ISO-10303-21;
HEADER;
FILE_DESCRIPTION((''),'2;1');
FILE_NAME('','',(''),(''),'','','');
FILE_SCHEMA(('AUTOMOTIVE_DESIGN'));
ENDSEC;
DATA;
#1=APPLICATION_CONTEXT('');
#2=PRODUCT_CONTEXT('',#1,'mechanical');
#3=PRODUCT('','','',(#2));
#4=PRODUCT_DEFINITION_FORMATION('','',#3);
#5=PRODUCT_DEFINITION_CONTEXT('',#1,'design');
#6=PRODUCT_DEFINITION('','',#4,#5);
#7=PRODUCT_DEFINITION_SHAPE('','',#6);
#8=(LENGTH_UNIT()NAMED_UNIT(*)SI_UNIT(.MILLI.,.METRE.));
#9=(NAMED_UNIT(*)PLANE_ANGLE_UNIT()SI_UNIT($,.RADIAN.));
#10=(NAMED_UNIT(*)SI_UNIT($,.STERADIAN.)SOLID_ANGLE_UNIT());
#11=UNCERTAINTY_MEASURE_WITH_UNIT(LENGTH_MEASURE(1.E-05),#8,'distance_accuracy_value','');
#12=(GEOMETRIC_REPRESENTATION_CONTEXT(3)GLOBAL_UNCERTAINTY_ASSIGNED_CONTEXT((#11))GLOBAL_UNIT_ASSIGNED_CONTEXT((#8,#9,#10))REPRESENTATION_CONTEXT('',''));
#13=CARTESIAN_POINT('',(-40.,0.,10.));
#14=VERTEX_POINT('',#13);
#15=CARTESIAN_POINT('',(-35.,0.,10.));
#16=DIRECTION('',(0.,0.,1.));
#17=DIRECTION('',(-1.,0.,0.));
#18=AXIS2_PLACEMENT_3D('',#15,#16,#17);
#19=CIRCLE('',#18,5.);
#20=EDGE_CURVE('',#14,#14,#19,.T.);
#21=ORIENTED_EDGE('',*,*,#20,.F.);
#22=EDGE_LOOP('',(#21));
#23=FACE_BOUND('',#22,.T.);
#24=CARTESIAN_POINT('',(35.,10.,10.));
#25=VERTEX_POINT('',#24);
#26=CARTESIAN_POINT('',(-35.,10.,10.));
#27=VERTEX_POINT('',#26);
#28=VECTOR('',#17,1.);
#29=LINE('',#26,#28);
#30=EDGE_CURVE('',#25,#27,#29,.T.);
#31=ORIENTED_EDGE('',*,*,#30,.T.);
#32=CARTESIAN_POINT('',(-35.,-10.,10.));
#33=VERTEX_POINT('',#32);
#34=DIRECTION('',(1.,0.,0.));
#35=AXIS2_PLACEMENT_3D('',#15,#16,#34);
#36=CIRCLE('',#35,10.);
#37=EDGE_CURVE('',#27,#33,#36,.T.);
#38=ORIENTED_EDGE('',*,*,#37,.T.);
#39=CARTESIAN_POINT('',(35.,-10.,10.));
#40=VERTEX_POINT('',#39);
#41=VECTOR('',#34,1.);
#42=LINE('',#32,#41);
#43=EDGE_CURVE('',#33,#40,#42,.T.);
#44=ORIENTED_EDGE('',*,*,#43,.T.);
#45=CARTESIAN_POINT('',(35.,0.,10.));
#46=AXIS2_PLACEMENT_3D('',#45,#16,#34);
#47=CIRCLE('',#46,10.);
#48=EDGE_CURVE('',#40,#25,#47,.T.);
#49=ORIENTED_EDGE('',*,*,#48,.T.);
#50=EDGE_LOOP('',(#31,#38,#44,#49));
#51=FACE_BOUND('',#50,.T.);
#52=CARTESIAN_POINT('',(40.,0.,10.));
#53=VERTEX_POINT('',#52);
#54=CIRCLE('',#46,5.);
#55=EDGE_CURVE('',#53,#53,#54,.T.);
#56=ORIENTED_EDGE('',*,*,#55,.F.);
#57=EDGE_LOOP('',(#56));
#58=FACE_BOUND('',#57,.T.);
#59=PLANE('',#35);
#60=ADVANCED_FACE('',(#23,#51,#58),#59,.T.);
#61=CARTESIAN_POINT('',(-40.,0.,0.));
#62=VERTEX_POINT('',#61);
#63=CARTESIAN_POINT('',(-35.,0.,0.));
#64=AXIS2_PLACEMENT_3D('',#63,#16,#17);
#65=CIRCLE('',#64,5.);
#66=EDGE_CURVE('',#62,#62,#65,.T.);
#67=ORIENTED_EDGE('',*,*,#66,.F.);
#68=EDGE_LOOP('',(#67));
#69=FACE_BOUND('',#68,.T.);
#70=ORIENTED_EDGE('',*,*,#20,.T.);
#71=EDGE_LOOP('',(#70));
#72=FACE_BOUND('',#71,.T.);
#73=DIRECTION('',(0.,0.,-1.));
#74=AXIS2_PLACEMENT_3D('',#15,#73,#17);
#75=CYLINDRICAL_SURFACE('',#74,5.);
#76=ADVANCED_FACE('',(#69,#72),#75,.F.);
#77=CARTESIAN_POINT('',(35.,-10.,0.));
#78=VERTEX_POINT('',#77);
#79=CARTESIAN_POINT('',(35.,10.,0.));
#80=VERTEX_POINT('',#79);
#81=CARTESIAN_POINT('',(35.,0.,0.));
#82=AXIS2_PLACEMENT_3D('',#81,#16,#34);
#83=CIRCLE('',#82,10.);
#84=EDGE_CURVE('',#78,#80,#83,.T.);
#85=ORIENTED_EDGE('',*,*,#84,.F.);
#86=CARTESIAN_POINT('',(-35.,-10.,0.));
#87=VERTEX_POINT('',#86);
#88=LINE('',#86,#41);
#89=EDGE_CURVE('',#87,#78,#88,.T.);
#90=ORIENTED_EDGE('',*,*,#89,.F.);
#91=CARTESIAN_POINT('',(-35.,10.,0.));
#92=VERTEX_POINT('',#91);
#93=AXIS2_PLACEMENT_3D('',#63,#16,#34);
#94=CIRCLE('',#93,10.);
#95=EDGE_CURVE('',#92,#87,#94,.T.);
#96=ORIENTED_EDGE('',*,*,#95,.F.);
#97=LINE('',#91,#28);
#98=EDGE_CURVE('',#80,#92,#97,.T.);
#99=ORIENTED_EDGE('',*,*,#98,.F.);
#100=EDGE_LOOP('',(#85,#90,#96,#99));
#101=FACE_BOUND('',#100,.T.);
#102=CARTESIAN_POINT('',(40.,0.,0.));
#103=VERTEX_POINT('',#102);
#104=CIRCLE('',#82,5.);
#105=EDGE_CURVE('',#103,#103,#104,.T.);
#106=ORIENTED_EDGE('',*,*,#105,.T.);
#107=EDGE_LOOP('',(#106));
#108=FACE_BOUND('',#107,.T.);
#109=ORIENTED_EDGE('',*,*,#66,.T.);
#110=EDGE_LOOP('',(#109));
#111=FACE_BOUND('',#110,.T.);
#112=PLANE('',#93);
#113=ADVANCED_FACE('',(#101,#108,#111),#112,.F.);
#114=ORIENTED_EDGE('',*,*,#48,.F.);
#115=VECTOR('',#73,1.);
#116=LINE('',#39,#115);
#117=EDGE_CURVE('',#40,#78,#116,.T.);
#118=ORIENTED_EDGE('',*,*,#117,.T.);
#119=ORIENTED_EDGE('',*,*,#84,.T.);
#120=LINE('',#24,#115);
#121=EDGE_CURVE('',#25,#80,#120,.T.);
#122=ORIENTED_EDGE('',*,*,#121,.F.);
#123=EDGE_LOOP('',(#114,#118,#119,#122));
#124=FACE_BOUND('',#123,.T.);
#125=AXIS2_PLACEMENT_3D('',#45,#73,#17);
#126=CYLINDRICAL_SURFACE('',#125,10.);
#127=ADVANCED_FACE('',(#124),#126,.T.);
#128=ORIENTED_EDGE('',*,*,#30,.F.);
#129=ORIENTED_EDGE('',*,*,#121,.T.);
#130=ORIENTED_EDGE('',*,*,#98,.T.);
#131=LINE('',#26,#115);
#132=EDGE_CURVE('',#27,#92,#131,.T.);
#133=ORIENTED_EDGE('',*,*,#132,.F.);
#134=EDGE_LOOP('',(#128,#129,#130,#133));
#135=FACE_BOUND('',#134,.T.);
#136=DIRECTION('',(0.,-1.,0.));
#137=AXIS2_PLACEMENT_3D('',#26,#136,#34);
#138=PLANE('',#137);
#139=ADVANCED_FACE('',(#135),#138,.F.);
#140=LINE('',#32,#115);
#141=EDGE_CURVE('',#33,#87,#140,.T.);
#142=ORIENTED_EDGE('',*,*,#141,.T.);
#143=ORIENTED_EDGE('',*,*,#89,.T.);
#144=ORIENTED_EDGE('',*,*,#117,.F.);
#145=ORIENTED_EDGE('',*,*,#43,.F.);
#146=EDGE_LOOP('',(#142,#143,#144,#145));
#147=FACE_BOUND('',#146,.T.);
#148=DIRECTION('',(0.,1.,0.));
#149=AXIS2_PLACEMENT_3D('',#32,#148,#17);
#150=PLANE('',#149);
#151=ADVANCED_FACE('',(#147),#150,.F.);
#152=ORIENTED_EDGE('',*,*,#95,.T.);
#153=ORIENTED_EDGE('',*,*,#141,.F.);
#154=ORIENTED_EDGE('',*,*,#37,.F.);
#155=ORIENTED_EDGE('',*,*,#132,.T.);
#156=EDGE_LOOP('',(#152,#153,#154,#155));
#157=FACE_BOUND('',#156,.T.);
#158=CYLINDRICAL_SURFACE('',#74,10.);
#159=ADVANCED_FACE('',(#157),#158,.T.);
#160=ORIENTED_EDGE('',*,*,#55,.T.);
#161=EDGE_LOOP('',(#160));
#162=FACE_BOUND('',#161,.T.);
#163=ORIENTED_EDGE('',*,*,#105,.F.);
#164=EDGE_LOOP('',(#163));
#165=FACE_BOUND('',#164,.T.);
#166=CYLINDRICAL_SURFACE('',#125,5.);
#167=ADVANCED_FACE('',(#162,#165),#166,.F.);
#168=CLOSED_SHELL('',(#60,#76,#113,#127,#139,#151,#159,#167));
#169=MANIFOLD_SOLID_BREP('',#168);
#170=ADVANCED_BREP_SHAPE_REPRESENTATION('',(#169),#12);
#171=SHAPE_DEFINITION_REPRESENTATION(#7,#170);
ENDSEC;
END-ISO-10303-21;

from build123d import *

# Parameters (mm, degrees)
SKETCH1_R           = 5
BOSS_EXTRUDE1_DEPTH = 10


with BuildPart() as part:
    # Sketch1 → Boss-Extrude1 (new body)
    with BuildSketch(Plane.XY):
        with BuildLine():
            Line((-35, 10), (35, 10))
            ThreePointArc((35, 10), (45, 0), (35, -10))
            Line((35, -10), (-35, -10))
            ThreePointArc((-35, -10), (-45, 0), (-35, 10))
        make_face()
        with Locations((35, 0)):
            Circle(SKETCH1_R, mode=Mode.SUBTRACT)
        with Locations(Location((-35, 0, 0), (0, 0, 180))):
            Circle(SKETCH1_R, mode=Mode.SUBTRACT)
    extrude(amount=BOSS_EXTRUDE1_DEPTH)


solid = part.part
